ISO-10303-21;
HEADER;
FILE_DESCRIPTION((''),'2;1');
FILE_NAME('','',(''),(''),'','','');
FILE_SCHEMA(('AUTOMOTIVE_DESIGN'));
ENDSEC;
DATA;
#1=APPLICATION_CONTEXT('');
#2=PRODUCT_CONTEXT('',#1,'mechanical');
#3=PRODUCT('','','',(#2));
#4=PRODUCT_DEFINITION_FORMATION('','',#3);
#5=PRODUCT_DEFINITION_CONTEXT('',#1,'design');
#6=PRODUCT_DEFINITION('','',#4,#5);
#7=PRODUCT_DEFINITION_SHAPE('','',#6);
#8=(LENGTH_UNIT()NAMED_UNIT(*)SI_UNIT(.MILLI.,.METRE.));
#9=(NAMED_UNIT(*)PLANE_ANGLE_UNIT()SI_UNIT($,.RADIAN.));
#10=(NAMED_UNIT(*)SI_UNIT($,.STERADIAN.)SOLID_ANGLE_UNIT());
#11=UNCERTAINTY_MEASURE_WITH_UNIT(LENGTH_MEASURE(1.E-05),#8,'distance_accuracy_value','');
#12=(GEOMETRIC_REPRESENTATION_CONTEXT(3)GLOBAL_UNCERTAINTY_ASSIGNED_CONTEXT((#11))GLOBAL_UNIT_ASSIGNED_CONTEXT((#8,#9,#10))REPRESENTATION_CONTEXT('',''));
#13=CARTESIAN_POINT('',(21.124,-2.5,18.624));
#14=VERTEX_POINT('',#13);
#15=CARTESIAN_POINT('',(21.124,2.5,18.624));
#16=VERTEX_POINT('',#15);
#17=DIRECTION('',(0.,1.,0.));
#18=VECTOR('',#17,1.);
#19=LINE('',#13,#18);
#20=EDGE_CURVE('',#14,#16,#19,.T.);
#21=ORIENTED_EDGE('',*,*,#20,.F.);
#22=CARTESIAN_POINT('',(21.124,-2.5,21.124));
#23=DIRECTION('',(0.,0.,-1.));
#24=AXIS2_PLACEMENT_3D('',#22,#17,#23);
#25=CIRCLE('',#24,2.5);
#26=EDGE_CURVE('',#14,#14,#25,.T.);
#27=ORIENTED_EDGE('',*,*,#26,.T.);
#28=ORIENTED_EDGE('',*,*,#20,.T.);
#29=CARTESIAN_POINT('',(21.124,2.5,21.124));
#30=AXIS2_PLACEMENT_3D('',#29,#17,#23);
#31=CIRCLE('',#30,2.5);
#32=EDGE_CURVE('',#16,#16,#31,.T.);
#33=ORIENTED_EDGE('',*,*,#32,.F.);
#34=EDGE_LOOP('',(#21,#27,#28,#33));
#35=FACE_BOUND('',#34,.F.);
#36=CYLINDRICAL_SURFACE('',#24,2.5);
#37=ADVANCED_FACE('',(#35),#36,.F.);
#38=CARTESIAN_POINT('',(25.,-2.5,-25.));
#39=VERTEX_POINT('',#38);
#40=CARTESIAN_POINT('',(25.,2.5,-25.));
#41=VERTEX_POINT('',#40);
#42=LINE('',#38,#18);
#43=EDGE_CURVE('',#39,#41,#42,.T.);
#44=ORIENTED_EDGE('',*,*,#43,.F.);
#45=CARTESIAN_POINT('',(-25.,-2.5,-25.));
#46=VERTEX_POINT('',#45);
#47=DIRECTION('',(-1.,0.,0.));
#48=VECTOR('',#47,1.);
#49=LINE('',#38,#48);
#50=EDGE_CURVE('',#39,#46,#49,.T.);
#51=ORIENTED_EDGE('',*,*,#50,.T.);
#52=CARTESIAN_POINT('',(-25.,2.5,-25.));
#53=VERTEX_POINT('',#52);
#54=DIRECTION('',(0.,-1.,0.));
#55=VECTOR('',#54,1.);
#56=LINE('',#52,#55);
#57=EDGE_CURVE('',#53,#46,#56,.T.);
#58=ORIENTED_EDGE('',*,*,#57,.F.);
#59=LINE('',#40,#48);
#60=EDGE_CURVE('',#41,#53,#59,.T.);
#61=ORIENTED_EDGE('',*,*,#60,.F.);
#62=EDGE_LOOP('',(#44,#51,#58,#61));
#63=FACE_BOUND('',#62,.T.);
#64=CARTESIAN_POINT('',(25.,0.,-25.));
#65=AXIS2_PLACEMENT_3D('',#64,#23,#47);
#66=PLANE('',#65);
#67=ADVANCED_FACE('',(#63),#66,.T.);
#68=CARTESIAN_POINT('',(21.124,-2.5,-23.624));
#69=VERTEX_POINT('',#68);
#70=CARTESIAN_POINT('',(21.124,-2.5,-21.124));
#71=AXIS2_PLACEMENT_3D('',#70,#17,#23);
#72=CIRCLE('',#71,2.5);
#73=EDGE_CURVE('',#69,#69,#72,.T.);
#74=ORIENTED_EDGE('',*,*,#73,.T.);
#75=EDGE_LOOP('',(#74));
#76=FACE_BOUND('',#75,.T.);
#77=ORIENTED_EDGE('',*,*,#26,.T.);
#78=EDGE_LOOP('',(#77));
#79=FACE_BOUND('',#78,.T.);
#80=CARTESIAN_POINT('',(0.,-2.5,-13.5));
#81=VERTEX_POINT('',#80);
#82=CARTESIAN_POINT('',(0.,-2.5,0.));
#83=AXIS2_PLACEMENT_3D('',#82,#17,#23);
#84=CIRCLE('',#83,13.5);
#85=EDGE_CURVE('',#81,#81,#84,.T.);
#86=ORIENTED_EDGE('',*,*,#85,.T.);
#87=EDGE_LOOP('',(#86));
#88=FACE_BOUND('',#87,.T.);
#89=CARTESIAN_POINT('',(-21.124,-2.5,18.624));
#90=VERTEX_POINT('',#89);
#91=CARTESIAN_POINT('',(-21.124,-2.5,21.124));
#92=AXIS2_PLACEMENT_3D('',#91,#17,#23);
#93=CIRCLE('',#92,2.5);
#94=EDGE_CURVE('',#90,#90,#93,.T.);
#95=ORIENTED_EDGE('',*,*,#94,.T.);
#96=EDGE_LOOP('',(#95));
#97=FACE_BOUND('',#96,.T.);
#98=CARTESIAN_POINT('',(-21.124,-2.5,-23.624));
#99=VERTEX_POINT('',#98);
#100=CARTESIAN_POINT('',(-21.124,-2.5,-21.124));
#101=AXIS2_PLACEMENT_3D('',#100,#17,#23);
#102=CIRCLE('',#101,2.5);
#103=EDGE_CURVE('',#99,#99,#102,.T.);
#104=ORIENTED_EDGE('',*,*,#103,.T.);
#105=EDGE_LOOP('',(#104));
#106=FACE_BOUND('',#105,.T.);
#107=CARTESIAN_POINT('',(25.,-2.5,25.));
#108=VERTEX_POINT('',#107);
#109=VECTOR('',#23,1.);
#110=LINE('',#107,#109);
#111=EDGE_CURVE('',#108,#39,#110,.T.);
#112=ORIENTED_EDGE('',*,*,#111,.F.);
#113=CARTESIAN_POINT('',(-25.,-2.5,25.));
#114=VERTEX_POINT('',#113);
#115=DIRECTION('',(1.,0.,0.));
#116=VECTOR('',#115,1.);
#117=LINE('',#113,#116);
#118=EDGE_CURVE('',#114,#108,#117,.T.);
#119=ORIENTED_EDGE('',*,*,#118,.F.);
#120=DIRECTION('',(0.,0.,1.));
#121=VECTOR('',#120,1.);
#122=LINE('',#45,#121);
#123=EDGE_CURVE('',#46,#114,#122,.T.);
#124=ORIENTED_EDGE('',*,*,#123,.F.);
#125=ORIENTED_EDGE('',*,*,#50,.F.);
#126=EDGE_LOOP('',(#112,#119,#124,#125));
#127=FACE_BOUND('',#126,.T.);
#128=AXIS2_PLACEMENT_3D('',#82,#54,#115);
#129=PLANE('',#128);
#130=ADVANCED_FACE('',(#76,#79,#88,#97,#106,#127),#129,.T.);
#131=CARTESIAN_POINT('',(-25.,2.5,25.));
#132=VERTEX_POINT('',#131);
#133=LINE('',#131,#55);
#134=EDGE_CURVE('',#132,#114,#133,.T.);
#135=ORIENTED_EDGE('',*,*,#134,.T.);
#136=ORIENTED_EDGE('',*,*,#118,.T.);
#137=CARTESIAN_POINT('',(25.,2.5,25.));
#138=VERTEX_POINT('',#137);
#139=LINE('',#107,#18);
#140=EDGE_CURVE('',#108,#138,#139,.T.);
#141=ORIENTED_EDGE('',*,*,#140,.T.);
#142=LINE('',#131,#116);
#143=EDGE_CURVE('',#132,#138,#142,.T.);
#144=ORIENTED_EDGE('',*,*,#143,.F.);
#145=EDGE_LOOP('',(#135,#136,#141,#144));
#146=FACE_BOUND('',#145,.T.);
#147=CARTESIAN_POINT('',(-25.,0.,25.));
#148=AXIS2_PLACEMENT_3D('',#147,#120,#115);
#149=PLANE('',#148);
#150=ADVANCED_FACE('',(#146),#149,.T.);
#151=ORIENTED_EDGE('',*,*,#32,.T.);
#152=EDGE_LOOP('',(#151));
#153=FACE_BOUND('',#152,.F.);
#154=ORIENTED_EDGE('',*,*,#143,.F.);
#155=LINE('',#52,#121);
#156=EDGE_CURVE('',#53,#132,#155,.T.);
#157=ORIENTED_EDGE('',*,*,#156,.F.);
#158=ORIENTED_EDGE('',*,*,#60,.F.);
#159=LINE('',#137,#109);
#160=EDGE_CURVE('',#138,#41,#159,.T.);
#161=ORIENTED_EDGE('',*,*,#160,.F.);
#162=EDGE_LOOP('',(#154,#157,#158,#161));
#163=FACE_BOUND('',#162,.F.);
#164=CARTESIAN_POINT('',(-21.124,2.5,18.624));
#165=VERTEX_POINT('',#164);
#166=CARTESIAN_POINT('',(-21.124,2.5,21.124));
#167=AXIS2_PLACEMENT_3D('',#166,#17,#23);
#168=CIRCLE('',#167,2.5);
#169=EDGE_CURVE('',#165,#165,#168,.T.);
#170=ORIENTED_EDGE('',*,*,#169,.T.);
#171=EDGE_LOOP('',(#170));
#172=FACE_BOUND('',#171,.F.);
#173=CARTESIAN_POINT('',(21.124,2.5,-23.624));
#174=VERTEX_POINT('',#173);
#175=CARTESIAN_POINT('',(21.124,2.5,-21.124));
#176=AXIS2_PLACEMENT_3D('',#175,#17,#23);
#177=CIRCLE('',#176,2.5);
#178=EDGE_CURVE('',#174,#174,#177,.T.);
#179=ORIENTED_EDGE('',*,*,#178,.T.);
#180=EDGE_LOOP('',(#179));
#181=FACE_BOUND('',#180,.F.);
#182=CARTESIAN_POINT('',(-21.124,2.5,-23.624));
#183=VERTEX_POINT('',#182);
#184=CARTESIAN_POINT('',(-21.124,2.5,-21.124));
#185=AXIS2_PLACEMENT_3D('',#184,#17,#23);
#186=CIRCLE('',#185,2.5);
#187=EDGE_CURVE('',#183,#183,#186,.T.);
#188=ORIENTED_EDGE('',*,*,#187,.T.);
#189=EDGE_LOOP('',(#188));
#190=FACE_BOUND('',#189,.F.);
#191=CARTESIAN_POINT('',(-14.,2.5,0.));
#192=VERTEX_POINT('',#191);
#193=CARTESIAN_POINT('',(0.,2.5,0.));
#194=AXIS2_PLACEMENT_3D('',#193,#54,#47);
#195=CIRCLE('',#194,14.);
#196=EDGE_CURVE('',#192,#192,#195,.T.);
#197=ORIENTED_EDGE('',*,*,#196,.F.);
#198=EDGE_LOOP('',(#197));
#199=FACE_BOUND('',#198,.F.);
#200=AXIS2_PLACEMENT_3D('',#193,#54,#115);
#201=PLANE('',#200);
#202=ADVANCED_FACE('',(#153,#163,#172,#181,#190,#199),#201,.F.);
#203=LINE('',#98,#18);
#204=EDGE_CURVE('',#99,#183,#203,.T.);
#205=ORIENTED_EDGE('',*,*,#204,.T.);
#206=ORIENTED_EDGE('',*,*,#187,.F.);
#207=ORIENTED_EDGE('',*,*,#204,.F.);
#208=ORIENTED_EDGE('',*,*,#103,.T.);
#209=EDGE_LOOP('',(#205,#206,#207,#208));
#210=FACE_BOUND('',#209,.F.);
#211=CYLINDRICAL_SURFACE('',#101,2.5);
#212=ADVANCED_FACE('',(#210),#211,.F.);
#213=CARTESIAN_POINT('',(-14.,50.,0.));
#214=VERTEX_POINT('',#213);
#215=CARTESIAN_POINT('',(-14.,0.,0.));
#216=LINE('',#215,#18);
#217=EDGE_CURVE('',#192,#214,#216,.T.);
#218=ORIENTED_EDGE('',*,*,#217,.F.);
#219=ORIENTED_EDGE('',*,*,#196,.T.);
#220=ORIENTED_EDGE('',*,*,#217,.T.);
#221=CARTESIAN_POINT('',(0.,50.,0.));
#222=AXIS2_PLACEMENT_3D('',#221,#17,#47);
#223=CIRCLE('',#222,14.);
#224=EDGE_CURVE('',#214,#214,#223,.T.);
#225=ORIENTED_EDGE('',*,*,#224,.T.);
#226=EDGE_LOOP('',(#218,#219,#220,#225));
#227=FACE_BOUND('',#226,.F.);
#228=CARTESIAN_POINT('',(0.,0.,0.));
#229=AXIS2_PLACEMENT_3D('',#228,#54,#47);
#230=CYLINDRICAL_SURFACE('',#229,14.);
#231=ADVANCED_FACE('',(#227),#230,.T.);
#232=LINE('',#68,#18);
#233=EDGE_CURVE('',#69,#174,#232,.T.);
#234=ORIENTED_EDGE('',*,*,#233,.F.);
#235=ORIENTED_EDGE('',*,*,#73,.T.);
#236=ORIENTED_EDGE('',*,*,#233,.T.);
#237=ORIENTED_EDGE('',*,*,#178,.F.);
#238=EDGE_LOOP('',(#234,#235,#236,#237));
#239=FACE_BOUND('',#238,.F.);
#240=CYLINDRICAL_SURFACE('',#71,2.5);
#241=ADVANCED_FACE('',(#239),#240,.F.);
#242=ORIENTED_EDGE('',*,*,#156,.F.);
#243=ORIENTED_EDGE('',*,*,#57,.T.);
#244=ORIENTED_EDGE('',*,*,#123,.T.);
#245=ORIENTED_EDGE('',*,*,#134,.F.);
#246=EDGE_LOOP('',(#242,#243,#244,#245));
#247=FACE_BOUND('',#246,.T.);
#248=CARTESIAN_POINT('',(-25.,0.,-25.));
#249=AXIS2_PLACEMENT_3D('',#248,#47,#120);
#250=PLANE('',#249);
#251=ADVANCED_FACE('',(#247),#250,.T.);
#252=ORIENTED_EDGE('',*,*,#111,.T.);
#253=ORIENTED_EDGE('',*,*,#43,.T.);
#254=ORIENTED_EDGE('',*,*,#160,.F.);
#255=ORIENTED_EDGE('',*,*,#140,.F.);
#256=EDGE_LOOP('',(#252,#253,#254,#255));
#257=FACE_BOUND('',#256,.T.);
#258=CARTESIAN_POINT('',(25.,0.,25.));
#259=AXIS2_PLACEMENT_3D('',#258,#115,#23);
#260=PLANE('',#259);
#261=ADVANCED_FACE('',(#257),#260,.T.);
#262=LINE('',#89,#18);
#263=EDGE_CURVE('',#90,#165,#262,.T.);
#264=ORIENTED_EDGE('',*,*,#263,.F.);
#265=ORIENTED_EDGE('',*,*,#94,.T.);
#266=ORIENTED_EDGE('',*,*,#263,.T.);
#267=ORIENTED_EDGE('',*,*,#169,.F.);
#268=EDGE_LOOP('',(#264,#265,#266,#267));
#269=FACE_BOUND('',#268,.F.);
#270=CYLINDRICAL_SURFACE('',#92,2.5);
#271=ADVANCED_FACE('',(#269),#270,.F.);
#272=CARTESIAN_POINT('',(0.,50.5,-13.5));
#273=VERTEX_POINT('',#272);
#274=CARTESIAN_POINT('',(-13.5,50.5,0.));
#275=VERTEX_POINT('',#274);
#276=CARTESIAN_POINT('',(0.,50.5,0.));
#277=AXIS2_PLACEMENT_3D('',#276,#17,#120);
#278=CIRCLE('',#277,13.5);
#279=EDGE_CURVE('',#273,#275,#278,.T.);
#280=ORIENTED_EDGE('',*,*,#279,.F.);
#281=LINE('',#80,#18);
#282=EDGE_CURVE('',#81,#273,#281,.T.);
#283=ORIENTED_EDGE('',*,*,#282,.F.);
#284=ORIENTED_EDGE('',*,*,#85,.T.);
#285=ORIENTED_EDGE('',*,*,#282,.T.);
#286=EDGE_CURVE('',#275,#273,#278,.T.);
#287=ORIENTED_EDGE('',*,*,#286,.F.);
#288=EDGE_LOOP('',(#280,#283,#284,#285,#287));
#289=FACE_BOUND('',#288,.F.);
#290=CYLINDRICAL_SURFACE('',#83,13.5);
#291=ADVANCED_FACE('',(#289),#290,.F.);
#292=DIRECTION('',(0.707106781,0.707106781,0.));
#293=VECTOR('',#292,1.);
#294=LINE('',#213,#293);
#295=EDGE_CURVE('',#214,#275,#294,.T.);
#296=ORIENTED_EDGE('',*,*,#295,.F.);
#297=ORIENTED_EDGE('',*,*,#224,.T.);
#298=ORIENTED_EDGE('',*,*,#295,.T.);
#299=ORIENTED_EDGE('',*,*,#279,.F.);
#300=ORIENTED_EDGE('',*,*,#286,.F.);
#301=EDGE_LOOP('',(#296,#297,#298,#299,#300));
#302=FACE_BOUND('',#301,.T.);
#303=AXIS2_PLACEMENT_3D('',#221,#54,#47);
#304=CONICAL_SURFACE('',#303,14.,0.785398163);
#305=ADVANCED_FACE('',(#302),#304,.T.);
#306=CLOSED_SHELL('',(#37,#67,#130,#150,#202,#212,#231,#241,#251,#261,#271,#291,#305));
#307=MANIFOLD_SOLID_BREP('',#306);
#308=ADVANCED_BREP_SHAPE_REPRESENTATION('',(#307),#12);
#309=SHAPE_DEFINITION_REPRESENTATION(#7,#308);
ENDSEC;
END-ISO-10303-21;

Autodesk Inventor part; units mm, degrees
ref_plane "YZ Plane" through (0, 0, 0) normal (1, 0, 0) x (0, 1, 0)
ref_plane "XZ Plane" through (0, 0, 0) normal (0, 1, 0) x (-1, 0, 0)
ref_plane "XY Plane" through (0, 0, 0) normal (0, 0, 1) x (1, 0, 0)
sketch "Skizze1" plane through (0, 0, 0) normal (0, 1, 0) x (-1, 0, 0)
  circle A0 centre (0, 0) radius 14
  dimension "d0" = 28
extrude "Extrusion1" add sketch "Skizze1" along normal blind 51
sketch "Skizze2" plane through (0, 0, 0) normal (0, -1, 0) x (1, 0, 0)
  line L0 (-25, 25) -> (25, 25)
  line L1 (25, 25) -> (25, -25)
  line L2 (25, -25) -> (-25, -25)
  line L3 (-25, -25) -> (-25, 25)
  line L4 (-25, 25) -> (25, -25) construction
  line L5 (25, 25) -> (-25, -25) construction
  point P0 (0, 0)
  dimension "d3" = 50
  dimension "d4" = 50
extrude "Extrusion2" add sketch "Skizze2" along normal mid plane 5
chamfer "Fasen1" distance 1 angle 45 1 edges at (14, 51, 0)
sketch "Skizze3" plane through (0, -2.5, 0) normal (0, -1, 0) x (1, 0, 0)
  point P0 (0, 0)
  point P1 (0, 0)
hole "Bohrung1" at (0, -2.5, 0) direction (0, 1, 0) diameter 27 end through all
sketch "Skizze4" plane through (0, -2.5, 0) normal (0, -1, 0) x (1, 0, 0)
  line L0 (-25, -25) -> (-25, 25) projected
  line L1 (-25, 0) -> (25, 0) construction
  line L2 (25, 25) -> (25, -25) projected
  line L3 (-25, 25) -> (25, 25) projected
  line L4 (0, 25) -> (0, -21.9496) construction
  point P0 (0, 0)
  point P1 (-21.124, -21.124)
  point P2 (-21.124, 21.124)
  point P3 (21.124, -21.124)
  point P4 (21.124, 21.124)
  dimension "d30" = 42.248
  dimension "d31" = 42.248
  dimension "d32" = 42.248
  dimension "d33" = 42.248
hole "Bohrung2" at (-21.124, -2.5, -21.124) at (-21.124, -2.5, 21.124) at (21.124, -2.5, -21.124) at (21.124, -2.5, 21.124) direction (0, 1, 0) diameter 5 depth 5
properties part number "candle_cylinder" material "Gold"
